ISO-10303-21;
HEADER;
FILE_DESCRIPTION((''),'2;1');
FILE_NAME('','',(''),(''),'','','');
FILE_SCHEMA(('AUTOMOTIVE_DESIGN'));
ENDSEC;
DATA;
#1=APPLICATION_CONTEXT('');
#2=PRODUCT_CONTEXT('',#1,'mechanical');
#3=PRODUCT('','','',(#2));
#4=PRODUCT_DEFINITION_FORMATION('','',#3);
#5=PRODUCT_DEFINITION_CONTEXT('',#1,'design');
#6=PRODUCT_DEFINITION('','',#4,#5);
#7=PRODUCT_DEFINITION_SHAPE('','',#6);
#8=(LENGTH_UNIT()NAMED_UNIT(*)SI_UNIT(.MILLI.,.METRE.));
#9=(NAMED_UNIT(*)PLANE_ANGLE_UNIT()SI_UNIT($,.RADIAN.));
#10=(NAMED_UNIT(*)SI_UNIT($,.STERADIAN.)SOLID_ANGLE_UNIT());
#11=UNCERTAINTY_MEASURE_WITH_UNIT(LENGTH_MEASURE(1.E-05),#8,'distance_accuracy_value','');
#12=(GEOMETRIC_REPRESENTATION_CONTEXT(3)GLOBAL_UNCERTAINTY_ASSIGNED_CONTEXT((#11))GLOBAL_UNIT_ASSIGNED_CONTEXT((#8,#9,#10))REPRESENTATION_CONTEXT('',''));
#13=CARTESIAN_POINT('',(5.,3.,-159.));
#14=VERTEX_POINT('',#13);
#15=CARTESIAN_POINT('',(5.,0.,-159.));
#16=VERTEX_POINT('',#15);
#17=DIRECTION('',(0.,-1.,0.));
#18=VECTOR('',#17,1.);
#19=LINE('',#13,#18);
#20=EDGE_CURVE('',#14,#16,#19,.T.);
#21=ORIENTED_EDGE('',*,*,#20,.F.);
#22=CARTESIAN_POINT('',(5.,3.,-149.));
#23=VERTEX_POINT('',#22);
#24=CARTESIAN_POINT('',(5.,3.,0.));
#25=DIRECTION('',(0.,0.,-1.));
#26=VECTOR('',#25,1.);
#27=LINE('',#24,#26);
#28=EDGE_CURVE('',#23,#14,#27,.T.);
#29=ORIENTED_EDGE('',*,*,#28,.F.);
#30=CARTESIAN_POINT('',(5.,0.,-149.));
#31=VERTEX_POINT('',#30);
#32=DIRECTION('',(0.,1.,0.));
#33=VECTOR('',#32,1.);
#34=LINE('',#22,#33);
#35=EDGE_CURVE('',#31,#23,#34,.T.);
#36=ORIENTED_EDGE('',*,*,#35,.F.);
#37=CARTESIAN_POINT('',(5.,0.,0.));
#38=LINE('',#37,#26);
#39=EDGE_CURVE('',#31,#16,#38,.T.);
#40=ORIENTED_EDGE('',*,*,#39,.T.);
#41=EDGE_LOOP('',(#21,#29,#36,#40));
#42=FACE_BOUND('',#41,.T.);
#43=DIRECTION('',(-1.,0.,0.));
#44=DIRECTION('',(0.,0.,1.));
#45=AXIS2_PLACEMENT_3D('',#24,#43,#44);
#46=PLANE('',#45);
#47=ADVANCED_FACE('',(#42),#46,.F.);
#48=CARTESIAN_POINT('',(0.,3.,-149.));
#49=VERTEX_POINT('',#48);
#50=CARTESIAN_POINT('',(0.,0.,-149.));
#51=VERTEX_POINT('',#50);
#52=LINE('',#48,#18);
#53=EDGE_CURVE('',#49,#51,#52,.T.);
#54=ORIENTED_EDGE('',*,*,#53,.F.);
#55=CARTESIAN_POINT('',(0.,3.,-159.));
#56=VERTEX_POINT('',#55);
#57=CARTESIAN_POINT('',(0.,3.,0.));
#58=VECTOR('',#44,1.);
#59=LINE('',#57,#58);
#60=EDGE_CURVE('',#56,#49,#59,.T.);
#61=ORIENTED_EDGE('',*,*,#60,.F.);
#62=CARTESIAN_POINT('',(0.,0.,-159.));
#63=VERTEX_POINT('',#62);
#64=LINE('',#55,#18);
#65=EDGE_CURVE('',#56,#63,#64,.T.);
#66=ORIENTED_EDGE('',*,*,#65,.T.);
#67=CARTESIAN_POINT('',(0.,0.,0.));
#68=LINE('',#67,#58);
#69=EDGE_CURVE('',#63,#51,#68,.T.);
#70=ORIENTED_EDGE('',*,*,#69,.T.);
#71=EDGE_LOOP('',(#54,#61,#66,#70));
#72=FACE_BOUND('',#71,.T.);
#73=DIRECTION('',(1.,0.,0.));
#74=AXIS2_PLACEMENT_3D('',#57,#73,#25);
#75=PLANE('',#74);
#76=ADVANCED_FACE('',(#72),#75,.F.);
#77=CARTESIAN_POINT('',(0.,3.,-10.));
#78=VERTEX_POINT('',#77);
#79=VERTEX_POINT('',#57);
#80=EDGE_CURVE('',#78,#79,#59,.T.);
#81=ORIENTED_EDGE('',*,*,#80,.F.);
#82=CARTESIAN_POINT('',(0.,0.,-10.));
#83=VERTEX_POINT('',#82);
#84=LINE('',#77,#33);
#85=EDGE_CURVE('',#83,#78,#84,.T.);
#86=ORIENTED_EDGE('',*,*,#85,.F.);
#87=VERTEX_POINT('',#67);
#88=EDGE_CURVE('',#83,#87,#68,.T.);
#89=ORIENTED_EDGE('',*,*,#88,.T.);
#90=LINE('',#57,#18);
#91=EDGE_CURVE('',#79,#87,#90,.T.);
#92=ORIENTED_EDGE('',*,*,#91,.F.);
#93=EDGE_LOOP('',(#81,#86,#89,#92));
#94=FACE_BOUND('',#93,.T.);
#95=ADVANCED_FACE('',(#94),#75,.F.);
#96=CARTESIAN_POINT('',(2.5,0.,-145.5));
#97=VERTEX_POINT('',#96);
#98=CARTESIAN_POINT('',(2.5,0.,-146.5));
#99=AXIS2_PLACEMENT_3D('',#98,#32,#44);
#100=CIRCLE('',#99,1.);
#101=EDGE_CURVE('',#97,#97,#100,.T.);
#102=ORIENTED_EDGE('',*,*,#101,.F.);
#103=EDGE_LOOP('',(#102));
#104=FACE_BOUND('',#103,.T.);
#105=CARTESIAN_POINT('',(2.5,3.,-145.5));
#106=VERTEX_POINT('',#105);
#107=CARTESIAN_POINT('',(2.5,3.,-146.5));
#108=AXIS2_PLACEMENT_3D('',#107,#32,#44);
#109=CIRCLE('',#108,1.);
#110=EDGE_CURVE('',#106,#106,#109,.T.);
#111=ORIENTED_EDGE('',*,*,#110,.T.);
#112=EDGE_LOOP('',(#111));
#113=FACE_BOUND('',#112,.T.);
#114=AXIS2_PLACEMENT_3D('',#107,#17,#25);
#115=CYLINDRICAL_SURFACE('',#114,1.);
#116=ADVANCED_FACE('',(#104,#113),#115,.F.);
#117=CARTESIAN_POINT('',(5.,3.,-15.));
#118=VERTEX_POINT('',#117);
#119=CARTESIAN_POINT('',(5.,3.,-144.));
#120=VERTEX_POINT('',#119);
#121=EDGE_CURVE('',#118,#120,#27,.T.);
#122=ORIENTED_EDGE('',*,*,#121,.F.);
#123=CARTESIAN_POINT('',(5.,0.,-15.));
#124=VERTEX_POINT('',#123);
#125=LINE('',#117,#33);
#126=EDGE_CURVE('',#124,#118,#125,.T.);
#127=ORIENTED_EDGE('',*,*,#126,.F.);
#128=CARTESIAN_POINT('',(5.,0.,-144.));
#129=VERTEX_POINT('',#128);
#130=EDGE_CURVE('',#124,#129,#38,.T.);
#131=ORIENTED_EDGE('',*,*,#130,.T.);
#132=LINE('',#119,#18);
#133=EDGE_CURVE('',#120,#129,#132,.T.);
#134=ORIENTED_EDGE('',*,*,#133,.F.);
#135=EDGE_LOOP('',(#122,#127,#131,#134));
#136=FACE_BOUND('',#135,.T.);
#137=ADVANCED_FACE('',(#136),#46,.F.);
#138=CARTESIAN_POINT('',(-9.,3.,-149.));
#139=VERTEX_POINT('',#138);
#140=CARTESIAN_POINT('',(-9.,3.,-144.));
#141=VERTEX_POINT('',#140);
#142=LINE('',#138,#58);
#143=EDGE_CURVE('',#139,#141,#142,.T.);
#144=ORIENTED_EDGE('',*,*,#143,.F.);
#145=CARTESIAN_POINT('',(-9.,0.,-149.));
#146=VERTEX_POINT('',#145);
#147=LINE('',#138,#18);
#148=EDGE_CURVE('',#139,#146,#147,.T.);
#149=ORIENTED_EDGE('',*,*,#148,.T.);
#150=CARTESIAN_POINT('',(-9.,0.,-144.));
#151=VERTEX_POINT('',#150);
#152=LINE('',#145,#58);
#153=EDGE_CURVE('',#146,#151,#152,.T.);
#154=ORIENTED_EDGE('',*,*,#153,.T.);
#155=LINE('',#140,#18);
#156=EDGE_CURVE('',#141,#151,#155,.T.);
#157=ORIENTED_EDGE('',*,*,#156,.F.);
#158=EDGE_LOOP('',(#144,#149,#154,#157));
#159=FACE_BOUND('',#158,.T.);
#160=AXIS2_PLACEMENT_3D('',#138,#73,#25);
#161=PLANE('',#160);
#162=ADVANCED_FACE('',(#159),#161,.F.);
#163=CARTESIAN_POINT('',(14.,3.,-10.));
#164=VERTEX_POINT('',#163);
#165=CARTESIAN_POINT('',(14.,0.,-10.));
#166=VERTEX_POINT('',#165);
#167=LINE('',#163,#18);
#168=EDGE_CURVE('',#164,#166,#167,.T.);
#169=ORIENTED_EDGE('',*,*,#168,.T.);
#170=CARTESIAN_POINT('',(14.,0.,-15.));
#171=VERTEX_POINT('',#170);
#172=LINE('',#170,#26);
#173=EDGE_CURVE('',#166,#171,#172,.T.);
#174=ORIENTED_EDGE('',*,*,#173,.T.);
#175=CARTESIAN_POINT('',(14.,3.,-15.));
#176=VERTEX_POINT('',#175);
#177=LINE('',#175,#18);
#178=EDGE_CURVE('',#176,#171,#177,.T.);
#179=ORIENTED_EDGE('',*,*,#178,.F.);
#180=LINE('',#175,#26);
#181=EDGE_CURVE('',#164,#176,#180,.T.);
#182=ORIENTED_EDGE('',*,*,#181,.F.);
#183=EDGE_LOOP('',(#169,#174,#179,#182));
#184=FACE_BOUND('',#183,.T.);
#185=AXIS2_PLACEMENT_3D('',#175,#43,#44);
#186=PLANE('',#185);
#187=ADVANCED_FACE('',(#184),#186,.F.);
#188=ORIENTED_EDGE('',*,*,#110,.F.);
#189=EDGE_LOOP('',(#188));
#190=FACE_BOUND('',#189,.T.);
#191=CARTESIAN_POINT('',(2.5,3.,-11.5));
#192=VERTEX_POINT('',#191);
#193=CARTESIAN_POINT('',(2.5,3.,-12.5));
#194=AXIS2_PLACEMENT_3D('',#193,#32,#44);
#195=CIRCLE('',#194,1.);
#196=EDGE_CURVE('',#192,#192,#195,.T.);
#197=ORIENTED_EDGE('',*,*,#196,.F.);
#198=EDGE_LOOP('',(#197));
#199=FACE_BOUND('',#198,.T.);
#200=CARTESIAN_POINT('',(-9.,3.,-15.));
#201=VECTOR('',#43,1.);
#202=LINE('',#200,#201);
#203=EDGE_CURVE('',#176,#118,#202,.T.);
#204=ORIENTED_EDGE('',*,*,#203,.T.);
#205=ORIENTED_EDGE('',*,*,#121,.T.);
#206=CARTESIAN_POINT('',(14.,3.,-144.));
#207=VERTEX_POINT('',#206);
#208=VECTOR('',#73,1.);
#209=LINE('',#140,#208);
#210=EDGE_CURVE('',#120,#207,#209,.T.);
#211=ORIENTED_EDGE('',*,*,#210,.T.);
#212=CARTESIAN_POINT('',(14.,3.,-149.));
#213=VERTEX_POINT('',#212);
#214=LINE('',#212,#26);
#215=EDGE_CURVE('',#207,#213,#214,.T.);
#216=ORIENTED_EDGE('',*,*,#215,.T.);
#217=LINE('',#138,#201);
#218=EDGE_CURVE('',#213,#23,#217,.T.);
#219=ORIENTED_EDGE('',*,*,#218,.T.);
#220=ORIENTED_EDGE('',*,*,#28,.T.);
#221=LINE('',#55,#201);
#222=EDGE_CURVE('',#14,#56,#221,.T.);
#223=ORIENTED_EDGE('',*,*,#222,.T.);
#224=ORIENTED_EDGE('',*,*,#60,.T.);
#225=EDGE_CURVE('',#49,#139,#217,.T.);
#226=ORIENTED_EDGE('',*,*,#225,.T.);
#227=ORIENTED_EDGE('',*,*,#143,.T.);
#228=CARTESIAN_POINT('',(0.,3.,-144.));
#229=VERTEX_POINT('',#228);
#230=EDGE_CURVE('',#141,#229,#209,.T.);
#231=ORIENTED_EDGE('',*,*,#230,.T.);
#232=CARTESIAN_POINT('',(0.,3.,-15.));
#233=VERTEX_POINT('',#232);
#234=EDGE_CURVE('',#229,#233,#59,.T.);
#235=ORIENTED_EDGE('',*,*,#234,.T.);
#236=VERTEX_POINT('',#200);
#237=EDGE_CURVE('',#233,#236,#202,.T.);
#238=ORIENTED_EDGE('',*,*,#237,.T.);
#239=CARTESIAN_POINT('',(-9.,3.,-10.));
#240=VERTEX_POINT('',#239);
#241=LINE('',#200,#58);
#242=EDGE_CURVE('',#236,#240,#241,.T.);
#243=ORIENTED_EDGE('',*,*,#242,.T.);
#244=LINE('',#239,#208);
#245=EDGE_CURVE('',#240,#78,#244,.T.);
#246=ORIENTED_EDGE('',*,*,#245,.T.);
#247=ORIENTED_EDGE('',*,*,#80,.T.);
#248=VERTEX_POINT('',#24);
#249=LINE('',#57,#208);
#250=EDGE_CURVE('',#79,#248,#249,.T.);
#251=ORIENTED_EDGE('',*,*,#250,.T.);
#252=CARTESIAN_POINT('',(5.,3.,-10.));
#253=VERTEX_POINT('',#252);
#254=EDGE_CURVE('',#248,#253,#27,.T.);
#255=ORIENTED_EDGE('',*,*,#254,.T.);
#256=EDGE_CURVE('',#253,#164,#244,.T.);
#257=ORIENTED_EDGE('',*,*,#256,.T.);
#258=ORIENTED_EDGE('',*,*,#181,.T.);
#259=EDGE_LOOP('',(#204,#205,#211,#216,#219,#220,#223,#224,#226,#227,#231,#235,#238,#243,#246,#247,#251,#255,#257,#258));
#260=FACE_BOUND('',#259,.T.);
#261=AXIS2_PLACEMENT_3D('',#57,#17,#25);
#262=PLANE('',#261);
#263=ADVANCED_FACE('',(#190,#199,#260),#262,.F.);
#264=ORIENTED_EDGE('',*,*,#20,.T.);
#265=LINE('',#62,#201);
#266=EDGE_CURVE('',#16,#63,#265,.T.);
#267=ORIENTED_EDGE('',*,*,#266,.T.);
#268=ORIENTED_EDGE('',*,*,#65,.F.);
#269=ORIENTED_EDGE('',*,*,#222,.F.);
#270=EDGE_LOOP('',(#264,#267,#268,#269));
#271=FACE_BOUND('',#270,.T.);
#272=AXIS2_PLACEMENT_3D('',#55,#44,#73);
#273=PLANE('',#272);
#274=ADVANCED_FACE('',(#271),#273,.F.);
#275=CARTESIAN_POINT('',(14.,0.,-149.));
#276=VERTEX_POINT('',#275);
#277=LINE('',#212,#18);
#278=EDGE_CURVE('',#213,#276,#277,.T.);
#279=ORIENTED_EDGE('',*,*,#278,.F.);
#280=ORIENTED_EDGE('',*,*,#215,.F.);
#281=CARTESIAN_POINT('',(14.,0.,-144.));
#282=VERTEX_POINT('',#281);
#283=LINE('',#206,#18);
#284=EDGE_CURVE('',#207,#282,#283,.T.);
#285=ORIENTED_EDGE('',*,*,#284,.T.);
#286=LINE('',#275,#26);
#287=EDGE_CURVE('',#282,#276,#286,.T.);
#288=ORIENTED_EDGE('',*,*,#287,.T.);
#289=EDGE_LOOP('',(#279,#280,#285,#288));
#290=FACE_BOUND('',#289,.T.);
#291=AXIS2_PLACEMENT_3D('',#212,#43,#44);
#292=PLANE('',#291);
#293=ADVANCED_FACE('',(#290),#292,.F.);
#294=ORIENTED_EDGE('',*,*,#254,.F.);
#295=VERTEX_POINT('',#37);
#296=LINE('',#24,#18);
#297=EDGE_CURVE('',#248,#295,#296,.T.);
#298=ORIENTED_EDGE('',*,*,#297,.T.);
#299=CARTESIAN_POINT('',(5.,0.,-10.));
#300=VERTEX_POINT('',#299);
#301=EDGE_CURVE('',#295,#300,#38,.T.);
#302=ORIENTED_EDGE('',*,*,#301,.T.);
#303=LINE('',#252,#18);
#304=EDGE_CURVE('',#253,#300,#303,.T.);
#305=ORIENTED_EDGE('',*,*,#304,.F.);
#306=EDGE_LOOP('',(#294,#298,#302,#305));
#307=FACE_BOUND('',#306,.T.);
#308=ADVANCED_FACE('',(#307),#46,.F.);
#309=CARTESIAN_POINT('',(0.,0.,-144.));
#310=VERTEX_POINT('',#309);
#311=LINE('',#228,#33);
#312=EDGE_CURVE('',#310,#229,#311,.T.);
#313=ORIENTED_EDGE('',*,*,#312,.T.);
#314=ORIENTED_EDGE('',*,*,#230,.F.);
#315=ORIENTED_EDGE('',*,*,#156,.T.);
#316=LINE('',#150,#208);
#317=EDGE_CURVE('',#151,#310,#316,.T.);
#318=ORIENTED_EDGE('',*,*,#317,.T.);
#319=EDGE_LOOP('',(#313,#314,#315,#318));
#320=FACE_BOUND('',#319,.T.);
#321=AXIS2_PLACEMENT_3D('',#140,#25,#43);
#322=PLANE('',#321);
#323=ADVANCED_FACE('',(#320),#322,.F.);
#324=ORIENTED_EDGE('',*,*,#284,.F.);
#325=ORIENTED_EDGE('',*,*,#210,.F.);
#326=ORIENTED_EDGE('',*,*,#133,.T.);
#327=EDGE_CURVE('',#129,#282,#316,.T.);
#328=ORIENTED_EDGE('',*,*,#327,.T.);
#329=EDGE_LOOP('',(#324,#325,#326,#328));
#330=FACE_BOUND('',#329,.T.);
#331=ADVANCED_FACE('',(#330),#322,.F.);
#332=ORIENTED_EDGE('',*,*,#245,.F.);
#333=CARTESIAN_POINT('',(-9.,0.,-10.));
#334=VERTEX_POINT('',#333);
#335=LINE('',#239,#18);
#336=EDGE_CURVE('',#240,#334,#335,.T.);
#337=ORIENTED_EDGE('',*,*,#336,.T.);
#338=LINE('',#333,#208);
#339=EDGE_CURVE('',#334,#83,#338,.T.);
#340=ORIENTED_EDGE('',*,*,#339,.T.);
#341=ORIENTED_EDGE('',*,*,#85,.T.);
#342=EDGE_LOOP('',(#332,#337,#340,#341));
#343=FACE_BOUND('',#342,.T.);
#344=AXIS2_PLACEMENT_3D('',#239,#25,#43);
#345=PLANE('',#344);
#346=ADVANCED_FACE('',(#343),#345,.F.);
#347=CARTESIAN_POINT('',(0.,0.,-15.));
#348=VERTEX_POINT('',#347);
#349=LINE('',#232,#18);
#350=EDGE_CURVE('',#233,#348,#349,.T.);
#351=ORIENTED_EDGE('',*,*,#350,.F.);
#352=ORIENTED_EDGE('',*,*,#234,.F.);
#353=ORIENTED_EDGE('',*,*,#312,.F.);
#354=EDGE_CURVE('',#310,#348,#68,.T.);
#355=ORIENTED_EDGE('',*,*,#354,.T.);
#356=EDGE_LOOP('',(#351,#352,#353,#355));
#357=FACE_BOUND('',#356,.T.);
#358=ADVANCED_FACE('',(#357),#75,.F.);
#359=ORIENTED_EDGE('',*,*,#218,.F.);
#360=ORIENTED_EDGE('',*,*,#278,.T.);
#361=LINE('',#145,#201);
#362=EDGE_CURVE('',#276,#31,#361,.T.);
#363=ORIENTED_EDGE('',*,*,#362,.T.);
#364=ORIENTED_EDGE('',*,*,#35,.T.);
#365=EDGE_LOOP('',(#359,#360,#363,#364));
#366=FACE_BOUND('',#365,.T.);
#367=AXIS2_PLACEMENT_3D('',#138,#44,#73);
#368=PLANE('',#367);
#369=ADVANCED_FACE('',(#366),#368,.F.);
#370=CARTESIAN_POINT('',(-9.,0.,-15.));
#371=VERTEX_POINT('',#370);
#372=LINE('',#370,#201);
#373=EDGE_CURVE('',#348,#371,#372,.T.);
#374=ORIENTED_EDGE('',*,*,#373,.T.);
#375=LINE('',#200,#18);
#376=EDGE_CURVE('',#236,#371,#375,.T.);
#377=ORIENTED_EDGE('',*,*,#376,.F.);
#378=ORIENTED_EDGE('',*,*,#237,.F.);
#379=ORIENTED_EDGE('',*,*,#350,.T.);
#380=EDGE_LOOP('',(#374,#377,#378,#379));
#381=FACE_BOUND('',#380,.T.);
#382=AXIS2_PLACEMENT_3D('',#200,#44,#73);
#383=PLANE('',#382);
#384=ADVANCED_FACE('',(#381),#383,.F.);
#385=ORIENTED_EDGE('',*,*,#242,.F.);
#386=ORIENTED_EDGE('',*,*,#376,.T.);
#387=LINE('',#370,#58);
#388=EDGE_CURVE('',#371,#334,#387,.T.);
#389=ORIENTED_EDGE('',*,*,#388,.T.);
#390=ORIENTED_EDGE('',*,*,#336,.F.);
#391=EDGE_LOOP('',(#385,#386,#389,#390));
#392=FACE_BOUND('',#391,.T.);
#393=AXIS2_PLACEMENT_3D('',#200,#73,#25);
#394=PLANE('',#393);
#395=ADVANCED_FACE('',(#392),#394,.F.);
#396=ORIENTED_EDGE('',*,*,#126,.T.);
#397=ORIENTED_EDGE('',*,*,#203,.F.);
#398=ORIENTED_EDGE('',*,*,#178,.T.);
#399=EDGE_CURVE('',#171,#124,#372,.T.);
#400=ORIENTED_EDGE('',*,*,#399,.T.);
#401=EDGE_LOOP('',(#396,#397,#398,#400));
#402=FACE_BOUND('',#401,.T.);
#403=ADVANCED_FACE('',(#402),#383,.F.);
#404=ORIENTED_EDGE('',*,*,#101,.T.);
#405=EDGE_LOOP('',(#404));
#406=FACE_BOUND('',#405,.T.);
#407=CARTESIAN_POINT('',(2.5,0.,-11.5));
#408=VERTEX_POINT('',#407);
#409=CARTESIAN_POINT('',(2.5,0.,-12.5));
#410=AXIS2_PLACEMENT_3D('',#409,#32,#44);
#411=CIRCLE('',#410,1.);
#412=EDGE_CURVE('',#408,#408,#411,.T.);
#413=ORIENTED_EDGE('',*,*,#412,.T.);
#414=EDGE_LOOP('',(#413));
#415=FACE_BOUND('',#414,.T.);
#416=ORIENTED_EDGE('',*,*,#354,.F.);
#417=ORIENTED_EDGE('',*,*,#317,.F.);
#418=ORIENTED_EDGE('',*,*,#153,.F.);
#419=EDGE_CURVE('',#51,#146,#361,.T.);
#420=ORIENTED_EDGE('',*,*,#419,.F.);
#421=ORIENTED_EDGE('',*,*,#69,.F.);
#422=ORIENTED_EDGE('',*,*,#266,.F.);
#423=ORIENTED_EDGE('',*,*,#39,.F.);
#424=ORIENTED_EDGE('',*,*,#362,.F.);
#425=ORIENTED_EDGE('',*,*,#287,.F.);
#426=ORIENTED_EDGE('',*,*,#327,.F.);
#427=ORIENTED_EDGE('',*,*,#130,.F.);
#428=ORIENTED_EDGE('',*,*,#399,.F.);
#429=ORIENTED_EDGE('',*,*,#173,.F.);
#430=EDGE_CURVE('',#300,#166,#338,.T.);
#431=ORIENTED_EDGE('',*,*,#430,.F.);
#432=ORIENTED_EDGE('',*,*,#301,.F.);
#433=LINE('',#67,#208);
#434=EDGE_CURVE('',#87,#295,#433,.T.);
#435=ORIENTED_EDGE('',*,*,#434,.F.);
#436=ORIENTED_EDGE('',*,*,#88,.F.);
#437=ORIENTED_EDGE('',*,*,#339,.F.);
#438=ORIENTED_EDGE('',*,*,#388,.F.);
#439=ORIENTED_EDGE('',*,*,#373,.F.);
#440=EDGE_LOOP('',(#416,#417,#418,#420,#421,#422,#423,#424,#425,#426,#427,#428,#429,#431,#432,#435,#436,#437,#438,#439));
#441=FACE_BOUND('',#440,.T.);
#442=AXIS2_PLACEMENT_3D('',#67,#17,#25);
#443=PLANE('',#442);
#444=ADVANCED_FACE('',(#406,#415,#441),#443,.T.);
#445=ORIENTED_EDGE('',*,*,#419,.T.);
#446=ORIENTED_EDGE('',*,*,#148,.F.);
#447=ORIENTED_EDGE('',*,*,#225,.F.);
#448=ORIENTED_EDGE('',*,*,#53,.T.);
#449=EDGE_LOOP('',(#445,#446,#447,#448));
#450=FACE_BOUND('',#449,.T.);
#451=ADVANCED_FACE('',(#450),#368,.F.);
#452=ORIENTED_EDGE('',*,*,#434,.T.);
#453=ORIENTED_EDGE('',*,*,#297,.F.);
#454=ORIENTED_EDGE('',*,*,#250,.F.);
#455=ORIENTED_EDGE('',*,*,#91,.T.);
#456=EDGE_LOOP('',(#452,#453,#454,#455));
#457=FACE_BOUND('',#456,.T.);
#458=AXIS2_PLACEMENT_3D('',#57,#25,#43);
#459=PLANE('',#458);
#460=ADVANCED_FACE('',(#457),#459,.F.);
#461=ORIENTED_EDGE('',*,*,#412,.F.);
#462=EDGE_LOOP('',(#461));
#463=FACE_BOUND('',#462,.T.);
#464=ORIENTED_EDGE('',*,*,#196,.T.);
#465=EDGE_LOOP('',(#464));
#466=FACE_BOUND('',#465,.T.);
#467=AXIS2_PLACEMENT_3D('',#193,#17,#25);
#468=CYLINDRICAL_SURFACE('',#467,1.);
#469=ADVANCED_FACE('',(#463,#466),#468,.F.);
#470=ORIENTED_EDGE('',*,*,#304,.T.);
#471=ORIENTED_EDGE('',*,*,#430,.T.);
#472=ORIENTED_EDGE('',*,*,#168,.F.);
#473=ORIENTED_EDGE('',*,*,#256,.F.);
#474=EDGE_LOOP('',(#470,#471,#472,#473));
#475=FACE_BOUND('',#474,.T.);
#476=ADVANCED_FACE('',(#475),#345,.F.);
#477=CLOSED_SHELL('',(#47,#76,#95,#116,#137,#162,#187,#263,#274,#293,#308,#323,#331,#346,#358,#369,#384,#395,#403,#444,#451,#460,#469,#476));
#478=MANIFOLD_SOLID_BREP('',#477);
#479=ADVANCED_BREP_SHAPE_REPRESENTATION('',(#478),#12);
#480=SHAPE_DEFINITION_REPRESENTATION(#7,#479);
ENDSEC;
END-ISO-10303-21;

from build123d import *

# Parameters (mm, degrees)
SKETCH1_W           = 5
SKETCH1_H           = 159
BOSS_EXTRUDE1_DEPTH = 3
SKETCH3_W           = 23
SKETCH3_H           = 5
BOSS_EXTRUDE2_DEPTH = 3
SKETCH5_R           = 1
CUT_EXTRUDE4_DEPTH  = 3


with BuildPart() as part:
    # Sketch1 → Boss-Extrude1 (new body)
    with BuildSketch(Plane(origin=(0, 0, 0), x_dir=(1, 0, 0), z_dir=(0, 1, 0))):
        with Locations((2.5, 79.5)):
            Rectangle(SKETCH1_W, SKETCH1_H)
    extrude(amount=BOSS_EXTRUDE1_DEPTH)

    # Sketch3 → Boss-Extrude2 (add)
    with BuildSketch(Plane(origin=(0, 0, 0), x_dir=(1, 0, 0), z_dir=(0, 1, 0))):
        with Locations((2.5, 12.5)):
            Rectangle(SKETCH3_W, SKETCH3_H)
        with Locations((2.5, 146.5)):
            Rectangle(SKETCH3_W, SKETCH3_H)
    extrude(amount=BOSS_EXTRUDE2_DEPTH)

    # Sketch5 → Cut-Extrude4 (cut)
    with BuildSketch(Plane(origin=(0, 0, 0), x_dir=(1, 0, 0), z_dir=(0, 1, 0))):
        with Locations((2.5, 12.5)):
            Circle(SKETCH5_R)
        with Locations((2.5, 146.5)):
            Circle(SKETCH5_R)
    extrude(amount=CUT_EXTRUDE4_DEPTH, mode=Mode.SUBTRACT)


solid = part.part
